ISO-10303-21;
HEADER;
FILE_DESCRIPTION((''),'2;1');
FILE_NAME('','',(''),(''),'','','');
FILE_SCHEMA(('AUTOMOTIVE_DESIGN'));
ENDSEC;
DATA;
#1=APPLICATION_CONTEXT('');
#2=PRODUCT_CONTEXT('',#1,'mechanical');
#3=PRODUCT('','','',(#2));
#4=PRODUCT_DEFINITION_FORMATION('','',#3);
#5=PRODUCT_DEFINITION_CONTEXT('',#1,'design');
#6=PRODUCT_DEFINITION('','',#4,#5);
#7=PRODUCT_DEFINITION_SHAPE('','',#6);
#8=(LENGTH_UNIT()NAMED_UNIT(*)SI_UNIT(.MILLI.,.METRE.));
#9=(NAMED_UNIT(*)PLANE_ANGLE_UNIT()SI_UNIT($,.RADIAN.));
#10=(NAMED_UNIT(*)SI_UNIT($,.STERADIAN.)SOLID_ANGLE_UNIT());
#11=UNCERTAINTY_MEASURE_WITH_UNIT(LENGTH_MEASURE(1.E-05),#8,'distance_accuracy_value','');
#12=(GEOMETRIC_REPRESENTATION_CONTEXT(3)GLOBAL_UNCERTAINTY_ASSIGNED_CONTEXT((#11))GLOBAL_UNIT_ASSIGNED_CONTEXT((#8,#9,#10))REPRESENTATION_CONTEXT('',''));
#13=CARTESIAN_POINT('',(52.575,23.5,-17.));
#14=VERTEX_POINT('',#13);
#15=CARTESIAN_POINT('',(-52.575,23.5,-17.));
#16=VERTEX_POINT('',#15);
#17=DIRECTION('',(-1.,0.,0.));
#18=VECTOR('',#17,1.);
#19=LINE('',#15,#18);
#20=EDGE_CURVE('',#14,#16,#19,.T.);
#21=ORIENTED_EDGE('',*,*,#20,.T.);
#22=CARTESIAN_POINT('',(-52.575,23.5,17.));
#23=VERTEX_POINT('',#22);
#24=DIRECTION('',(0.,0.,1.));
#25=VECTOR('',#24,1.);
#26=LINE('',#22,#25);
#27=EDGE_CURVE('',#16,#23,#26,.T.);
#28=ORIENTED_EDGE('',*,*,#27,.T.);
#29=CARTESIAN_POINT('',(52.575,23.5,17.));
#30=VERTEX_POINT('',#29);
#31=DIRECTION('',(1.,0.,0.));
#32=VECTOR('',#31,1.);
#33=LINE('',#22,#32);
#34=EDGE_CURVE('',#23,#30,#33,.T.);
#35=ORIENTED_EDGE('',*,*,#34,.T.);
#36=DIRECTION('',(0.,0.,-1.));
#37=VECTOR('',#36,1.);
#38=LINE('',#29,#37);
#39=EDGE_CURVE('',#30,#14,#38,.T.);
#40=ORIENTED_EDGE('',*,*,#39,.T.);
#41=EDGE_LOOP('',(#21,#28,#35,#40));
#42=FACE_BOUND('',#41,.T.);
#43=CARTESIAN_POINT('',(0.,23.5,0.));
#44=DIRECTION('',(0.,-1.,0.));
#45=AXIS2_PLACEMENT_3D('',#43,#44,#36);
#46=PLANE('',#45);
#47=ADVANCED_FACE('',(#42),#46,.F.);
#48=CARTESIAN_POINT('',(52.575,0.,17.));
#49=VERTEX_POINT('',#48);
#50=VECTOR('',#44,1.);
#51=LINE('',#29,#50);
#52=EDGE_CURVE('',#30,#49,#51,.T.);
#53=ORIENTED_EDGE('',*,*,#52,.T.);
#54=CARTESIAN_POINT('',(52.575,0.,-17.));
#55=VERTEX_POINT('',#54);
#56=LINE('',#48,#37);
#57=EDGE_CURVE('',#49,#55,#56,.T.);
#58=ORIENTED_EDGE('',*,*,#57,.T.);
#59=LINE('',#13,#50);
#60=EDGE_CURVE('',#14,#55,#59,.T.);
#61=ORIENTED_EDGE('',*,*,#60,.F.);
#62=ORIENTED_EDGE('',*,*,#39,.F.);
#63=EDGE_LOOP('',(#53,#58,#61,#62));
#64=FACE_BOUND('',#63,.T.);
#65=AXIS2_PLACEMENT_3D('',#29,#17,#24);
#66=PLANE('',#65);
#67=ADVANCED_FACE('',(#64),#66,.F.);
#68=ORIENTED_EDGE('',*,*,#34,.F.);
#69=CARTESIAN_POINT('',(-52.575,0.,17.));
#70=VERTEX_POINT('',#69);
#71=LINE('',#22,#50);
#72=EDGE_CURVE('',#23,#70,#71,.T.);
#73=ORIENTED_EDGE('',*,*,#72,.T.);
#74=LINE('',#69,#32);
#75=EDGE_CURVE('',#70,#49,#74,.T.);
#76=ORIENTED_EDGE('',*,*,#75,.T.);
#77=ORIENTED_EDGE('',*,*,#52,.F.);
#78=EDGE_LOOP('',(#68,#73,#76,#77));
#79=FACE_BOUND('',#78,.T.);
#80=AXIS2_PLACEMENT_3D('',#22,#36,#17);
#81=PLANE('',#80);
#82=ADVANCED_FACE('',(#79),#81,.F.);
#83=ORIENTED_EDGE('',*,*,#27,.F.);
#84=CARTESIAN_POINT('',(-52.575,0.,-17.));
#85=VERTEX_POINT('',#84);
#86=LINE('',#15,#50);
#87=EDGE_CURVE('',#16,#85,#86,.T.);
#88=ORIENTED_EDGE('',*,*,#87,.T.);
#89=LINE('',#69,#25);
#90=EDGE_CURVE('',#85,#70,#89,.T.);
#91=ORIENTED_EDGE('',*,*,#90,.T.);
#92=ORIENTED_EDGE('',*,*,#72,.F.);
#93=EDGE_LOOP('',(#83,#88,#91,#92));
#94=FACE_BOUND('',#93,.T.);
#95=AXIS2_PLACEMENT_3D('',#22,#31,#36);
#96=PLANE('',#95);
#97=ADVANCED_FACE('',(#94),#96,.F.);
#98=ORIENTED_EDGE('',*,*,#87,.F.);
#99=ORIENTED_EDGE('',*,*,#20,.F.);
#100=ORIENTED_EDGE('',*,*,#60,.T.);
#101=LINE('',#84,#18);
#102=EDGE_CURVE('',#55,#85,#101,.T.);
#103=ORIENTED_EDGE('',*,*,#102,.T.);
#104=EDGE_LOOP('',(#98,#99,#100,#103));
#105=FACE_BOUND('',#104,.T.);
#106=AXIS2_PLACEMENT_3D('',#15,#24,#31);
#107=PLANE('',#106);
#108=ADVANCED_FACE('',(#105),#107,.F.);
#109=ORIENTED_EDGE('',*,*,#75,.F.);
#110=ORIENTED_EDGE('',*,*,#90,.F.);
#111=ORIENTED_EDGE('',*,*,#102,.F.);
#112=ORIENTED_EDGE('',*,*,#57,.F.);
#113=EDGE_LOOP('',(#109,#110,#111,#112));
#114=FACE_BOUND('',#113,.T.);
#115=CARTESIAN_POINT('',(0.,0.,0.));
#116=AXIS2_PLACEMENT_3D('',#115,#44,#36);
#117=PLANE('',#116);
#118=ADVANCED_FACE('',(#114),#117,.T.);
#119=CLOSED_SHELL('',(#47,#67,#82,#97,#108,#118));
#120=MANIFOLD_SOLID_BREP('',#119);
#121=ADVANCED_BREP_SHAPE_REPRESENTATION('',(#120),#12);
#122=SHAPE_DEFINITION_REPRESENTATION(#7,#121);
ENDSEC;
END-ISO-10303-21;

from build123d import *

# Parameters (mm, degrees)
SKETCH_1_W      = 105.15
SKETCH_1_H      = 34
EXTRUDE_1_DEPTH = 23.5


with BuildPart() as part:
    # 草圖1 → 填料-伸長1 (new body)
    with BuildSketch(Plane(origin=(0, 0, 0), x_dir=(1, 0, 0), z_dir=(0, 1, 0))):
        Rectangle(SKETCH_1_W, SKETCH_1_H)
    extrude(amount=EXTRUDE_1_DEPTH)


solid = part.part
